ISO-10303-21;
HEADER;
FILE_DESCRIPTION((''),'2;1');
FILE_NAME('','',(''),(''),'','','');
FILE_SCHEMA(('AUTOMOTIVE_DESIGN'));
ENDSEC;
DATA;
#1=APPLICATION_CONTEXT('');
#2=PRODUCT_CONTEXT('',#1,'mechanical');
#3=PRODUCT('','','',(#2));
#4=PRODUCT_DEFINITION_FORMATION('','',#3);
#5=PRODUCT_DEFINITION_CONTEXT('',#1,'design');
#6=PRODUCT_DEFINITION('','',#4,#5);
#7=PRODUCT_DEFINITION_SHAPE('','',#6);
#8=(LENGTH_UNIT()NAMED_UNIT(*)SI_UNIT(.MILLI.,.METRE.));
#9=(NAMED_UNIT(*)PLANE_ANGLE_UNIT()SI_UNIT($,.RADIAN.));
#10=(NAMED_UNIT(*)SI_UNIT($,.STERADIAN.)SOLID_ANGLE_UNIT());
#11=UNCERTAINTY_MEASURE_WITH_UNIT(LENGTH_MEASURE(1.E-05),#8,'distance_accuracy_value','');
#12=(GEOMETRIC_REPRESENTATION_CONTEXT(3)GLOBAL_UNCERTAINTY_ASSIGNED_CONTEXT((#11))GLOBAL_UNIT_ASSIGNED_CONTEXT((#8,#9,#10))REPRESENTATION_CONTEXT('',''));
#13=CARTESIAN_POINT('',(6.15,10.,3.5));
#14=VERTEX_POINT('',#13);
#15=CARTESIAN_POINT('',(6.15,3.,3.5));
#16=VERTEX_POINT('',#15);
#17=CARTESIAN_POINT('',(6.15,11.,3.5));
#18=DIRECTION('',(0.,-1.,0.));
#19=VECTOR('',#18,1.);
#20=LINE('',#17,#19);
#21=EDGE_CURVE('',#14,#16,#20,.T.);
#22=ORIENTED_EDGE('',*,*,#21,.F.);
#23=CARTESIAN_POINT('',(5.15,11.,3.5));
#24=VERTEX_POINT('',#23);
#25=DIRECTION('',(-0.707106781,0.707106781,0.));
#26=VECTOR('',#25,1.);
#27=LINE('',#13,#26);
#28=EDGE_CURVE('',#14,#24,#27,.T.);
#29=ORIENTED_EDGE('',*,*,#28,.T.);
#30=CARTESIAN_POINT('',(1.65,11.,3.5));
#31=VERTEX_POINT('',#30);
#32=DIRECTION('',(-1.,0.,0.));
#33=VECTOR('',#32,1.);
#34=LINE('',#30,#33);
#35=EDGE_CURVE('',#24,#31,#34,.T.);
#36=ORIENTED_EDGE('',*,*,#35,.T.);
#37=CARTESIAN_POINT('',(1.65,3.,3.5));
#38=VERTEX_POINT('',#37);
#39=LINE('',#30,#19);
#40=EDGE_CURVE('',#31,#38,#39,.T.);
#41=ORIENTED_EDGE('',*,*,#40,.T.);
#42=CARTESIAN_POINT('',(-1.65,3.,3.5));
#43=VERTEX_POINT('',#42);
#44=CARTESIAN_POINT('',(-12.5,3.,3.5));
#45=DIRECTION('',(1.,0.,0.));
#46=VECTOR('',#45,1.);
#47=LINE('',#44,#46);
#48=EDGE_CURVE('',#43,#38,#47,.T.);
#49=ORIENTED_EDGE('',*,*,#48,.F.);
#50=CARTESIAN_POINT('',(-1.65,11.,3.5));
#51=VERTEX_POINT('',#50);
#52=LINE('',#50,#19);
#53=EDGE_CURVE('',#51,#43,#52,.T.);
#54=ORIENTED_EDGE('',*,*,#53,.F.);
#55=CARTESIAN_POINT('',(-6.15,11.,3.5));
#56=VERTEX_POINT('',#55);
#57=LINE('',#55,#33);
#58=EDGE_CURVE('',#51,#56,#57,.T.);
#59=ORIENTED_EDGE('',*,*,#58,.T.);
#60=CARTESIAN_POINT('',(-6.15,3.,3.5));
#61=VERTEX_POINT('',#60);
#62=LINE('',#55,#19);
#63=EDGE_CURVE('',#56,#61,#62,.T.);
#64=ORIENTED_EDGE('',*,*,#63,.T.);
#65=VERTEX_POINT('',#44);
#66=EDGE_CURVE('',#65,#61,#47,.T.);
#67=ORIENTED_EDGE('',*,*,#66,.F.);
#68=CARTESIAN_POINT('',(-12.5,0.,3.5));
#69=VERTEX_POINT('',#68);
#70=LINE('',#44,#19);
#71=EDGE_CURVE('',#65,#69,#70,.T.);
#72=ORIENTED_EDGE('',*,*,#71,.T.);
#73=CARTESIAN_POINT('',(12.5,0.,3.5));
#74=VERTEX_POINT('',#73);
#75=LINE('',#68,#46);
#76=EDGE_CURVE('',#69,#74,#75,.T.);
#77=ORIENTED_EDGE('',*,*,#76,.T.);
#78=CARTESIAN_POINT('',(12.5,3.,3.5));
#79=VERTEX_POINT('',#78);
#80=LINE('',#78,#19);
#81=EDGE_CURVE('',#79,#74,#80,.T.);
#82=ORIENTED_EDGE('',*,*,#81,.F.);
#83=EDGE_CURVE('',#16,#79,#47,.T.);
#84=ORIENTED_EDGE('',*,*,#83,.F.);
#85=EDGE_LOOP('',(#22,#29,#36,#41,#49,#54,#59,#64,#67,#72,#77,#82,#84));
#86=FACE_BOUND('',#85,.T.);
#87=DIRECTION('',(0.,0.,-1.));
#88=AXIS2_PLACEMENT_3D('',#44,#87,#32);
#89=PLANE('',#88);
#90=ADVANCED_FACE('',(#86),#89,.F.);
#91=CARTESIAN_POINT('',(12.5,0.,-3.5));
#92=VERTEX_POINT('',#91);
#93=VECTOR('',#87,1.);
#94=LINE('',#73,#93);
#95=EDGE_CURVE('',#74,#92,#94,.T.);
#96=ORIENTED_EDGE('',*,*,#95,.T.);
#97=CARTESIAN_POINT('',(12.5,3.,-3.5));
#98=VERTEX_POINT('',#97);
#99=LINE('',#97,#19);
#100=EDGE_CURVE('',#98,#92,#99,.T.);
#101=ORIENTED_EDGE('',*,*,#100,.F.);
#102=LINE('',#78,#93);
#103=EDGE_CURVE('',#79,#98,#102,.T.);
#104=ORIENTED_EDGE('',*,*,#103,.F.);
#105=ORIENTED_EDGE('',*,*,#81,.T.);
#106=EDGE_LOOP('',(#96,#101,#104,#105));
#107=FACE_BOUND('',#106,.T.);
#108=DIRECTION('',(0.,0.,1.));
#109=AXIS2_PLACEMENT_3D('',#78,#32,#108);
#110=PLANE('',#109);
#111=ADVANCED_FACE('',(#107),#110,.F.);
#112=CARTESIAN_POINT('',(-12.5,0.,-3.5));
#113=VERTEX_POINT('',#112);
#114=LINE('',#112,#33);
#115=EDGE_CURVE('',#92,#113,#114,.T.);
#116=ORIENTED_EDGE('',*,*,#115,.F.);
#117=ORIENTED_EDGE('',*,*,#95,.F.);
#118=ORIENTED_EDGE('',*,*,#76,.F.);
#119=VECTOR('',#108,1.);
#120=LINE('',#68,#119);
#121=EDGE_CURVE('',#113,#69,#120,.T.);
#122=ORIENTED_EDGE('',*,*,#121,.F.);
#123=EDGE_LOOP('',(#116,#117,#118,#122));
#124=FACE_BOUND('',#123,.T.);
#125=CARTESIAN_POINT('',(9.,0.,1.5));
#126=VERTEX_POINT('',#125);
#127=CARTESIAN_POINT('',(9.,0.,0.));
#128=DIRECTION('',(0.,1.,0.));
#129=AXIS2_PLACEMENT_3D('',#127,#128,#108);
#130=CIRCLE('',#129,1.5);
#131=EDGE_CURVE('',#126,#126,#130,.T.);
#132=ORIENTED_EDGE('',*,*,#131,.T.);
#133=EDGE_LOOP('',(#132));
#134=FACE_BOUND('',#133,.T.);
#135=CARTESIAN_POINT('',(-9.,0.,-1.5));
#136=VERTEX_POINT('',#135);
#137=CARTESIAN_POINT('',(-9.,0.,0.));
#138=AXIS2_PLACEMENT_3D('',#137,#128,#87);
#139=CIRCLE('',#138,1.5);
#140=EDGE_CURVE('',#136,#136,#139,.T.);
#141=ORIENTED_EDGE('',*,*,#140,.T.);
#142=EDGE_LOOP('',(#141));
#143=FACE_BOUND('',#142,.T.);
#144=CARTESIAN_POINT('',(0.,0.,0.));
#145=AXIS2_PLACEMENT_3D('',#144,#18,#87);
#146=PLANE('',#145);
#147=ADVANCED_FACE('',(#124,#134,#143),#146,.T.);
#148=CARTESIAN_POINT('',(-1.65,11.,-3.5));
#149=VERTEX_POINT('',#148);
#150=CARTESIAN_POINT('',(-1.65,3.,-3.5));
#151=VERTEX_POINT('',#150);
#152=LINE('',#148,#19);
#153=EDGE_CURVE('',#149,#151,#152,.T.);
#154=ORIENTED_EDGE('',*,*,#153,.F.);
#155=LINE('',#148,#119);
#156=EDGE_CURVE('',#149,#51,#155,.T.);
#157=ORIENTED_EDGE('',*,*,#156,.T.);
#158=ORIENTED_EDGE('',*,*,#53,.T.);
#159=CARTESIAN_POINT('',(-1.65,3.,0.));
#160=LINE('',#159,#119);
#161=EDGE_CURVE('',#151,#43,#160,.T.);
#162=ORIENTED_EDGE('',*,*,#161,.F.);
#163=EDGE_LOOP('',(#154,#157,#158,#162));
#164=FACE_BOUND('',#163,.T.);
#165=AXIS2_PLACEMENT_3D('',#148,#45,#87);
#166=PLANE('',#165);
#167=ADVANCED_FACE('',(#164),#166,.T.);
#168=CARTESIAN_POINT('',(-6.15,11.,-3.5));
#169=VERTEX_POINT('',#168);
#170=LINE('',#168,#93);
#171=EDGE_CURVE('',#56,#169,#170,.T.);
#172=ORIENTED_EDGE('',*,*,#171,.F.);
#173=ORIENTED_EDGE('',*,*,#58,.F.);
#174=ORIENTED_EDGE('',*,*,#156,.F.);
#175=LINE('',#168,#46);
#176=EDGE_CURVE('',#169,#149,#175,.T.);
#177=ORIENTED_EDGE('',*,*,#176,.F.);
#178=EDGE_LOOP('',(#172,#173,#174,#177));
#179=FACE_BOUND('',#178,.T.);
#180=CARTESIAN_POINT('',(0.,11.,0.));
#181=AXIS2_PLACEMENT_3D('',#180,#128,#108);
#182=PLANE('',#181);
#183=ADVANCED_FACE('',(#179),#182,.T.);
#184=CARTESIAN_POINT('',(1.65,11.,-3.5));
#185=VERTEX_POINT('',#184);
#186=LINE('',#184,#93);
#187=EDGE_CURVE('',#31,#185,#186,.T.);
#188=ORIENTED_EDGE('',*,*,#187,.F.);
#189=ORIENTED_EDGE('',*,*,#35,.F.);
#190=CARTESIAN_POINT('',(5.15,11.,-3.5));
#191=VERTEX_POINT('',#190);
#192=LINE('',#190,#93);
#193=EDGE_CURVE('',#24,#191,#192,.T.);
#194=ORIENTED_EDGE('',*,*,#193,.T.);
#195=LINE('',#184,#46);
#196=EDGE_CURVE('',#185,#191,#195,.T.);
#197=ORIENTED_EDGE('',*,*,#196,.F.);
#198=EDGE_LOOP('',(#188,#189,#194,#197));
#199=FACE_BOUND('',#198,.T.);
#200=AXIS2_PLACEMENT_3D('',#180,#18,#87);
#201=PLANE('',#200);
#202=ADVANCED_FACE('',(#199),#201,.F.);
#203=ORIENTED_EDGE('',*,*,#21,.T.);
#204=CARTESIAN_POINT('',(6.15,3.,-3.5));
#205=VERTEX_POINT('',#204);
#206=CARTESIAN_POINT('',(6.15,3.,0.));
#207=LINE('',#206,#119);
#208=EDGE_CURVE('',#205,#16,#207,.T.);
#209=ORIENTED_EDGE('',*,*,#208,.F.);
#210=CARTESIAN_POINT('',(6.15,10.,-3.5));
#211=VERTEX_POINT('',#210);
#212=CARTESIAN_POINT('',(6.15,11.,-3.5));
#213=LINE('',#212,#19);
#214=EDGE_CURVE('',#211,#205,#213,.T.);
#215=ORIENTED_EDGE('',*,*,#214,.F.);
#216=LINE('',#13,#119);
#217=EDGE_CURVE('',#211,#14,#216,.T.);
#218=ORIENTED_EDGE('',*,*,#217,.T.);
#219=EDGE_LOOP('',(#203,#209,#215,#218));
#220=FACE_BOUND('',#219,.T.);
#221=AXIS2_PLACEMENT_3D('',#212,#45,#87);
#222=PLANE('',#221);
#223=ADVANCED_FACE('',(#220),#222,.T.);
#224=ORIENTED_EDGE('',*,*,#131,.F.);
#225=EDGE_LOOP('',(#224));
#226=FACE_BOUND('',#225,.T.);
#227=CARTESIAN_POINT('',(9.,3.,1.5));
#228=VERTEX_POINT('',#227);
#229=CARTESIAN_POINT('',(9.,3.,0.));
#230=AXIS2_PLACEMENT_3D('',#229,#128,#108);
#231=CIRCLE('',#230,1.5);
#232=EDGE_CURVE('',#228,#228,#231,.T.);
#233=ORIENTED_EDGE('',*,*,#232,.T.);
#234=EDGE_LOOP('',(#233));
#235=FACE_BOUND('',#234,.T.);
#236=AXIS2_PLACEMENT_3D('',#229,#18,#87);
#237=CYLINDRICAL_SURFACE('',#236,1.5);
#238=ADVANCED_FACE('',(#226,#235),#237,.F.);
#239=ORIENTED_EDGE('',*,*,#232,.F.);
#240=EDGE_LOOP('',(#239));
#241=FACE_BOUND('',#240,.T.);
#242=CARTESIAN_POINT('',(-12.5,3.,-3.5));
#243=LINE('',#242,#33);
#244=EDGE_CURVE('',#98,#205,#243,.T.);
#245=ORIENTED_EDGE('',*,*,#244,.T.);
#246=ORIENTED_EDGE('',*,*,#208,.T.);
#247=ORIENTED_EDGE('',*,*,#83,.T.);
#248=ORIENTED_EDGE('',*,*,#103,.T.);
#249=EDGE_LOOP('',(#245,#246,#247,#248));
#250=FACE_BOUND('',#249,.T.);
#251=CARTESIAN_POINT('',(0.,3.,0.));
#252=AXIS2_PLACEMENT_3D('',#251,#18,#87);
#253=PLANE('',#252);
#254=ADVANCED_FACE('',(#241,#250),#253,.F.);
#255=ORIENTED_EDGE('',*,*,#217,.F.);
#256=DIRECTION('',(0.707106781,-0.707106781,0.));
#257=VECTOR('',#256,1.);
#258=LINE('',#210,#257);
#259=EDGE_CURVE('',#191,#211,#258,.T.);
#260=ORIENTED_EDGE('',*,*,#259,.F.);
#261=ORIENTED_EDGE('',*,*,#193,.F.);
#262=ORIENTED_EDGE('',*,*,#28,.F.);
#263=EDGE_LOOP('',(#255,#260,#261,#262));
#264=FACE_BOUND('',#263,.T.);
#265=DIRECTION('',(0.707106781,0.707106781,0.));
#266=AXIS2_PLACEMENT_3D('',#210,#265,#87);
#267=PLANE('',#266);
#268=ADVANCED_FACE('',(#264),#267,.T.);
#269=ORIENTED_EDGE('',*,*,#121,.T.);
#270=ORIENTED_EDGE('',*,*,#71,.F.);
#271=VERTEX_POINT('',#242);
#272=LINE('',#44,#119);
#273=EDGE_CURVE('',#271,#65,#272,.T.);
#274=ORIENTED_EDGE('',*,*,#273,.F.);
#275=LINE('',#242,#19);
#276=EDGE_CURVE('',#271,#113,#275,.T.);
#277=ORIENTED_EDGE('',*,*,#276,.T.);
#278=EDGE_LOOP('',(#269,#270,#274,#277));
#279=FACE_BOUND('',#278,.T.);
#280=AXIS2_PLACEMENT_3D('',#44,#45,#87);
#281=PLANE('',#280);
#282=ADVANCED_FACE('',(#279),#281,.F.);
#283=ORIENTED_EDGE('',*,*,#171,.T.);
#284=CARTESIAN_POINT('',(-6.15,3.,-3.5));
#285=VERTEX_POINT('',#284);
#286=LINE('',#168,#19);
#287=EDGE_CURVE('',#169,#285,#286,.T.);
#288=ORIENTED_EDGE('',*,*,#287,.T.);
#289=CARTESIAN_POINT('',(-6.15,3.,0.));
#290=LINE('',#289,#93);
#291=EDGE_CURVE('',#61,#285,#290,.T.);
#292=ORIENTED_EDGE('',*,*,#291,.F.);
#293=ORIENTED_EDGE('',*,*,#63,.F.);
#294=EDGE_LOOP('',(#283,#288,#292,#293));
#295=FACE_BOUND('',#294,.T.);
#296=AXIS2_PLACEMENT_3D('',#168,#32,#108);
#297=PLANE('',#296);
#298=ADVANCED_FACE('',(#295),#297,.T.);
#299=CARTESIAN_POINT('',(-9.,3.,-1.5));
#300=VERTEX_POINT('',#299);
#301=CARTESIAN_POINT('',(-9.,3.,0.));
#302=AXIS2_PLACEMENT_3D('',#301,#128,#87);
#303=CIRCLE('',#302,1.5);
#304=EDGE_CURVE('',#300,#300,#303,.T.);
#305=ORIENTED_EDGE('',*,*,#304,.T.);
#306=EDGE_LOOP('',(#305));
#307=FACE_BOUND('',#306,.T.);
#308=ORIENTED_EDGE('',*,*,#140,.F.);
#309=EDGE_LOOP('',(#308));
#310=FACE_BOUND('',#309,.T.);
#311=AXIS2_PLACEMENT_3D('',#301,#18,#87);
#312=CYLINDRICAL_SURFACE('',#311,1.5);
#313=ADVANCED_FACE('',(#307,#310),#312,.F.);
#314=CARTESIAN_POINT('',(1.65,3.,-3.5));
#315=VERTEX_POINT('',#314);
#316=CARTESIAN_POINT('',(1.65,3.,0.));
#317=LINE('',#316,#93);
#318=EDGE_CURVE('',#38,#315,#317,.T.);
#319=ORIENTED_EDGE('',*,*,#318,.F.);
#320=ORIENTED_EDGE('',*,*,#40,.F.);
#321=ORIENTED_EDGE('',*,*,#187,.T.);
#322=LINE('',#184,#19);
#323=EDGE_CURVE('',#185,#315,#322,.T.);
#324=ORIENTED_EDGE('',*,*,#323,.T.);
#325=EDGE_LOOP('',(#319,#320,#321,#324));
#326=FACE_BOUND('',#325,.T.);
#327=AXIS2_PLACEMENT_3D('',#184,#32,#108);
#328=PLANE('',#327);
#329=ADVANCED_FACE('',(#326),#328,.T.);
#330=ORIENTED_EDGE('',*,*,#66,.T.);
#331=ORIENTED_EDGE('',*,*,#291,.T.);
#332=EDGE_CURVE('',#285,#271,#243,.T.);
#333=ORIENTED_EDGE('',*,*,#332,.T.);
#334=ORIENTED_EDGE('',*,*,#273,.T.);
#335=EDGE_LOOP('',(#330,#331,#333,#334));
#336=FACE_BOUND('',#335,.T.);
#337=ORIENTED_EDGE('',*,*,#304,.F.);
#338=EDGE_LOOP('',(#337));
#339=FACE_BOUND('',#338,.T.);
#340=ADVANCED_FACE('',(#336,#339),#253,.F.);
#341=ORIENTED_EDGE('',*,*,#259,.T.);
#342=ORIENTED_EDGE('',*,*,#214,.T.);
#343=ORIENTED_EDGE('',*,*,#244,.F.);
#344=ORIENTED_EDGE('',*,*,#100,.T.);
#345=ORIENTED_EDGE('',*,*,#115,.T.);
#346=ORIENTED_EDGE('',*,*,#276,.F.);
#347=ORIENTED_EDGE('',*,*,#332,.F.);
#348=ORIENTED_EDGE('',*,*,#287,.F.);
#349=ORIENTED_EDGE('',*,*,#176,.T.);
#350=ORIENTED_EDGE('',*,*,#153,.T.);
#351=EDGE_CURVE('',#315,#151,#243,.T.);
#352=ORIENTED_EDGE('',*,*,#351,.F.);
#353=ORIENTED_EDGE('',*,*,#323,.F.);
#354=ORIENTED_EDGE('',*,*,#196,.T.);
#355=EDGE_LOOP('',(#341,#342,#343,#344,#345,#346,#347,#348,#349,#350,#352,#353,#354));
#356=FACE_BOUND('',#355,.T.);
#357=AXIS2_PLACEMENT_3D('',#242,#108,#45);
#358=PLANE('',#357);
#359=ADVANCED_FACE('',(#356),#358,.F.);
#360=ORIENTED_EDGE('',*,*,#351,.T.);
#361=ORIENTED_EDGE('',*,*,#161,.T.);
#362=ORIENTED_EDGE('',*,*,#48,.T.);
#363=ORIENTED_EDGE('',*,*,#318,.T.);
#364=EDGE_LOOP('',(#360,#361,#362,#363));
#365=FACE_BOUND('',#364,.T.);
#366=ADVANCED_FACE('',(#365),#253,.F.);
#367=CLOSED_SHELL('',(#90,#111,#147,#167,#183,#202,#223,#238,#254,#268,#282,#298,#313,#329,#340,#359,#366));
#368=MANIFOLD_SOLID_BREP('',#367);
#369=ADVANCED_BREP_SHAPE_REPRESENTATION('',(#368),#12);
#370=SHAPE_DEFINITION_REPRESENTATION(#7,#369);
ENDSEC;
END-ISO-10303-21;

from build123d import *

# Parameters (mm, degrees)
SKETCH1_W           = 25
SKETCH1_H           = 7
SKETCH1_R           = 1.5
BOSS_EXTRUDE1_DEPTH = 3
SKETCH2_W           = 4.5
SKETCH2_H           = 7
BOSS_EXTRUDE2_DEPTH = 11
CHAMFER1_SIZE       = 1


with BuildPart() as part:
    # Sketch1 → Boss-Extrude1 (new body)
    with BuildSketch(Plane(origin=(0, 0, 0), x_dir=(1, 0, 0), z_dir=(0, 1, 0))):
        Rectangle(SKETCH1_W, SKETCH1_H)
        with Locations(Location((9, 0, 0), (0, 0, 270))):
            Circle(SKETCH1_R, mode=Mode.SUBTRACT)
        with Locations(Location((-9, 0, 0), (0, 0, 90))):
            Circle(SKETCH1_R, mode=Mode.SUBTRACT)
    extrude(amount=BOSS_EXTRUDE1_DEPTH)

    # Sketch2 → Boss-Extrude2 (add)
    with BuildSketch(Plane.XZ):
        with Locations((-3.9, 0)):
            Rectangle(SKETCH2_W, SKETCH2_H)
        with Locations((3.9, 0)):
            Rectangle(SKETCH2_W, SKETCH2_H)
    extrude(amount=-BOSS_EXTRUDE2_DEPTH)

    # Chamfer1
    chamfer1_edges = [part.edges().sort_by_distance(p)[0] for p in [
        (6.15, 11, 0),
    ]]
    chamfer(chamfer1_edges, length=CHAMFER1_SIZE)


solid = part.part
